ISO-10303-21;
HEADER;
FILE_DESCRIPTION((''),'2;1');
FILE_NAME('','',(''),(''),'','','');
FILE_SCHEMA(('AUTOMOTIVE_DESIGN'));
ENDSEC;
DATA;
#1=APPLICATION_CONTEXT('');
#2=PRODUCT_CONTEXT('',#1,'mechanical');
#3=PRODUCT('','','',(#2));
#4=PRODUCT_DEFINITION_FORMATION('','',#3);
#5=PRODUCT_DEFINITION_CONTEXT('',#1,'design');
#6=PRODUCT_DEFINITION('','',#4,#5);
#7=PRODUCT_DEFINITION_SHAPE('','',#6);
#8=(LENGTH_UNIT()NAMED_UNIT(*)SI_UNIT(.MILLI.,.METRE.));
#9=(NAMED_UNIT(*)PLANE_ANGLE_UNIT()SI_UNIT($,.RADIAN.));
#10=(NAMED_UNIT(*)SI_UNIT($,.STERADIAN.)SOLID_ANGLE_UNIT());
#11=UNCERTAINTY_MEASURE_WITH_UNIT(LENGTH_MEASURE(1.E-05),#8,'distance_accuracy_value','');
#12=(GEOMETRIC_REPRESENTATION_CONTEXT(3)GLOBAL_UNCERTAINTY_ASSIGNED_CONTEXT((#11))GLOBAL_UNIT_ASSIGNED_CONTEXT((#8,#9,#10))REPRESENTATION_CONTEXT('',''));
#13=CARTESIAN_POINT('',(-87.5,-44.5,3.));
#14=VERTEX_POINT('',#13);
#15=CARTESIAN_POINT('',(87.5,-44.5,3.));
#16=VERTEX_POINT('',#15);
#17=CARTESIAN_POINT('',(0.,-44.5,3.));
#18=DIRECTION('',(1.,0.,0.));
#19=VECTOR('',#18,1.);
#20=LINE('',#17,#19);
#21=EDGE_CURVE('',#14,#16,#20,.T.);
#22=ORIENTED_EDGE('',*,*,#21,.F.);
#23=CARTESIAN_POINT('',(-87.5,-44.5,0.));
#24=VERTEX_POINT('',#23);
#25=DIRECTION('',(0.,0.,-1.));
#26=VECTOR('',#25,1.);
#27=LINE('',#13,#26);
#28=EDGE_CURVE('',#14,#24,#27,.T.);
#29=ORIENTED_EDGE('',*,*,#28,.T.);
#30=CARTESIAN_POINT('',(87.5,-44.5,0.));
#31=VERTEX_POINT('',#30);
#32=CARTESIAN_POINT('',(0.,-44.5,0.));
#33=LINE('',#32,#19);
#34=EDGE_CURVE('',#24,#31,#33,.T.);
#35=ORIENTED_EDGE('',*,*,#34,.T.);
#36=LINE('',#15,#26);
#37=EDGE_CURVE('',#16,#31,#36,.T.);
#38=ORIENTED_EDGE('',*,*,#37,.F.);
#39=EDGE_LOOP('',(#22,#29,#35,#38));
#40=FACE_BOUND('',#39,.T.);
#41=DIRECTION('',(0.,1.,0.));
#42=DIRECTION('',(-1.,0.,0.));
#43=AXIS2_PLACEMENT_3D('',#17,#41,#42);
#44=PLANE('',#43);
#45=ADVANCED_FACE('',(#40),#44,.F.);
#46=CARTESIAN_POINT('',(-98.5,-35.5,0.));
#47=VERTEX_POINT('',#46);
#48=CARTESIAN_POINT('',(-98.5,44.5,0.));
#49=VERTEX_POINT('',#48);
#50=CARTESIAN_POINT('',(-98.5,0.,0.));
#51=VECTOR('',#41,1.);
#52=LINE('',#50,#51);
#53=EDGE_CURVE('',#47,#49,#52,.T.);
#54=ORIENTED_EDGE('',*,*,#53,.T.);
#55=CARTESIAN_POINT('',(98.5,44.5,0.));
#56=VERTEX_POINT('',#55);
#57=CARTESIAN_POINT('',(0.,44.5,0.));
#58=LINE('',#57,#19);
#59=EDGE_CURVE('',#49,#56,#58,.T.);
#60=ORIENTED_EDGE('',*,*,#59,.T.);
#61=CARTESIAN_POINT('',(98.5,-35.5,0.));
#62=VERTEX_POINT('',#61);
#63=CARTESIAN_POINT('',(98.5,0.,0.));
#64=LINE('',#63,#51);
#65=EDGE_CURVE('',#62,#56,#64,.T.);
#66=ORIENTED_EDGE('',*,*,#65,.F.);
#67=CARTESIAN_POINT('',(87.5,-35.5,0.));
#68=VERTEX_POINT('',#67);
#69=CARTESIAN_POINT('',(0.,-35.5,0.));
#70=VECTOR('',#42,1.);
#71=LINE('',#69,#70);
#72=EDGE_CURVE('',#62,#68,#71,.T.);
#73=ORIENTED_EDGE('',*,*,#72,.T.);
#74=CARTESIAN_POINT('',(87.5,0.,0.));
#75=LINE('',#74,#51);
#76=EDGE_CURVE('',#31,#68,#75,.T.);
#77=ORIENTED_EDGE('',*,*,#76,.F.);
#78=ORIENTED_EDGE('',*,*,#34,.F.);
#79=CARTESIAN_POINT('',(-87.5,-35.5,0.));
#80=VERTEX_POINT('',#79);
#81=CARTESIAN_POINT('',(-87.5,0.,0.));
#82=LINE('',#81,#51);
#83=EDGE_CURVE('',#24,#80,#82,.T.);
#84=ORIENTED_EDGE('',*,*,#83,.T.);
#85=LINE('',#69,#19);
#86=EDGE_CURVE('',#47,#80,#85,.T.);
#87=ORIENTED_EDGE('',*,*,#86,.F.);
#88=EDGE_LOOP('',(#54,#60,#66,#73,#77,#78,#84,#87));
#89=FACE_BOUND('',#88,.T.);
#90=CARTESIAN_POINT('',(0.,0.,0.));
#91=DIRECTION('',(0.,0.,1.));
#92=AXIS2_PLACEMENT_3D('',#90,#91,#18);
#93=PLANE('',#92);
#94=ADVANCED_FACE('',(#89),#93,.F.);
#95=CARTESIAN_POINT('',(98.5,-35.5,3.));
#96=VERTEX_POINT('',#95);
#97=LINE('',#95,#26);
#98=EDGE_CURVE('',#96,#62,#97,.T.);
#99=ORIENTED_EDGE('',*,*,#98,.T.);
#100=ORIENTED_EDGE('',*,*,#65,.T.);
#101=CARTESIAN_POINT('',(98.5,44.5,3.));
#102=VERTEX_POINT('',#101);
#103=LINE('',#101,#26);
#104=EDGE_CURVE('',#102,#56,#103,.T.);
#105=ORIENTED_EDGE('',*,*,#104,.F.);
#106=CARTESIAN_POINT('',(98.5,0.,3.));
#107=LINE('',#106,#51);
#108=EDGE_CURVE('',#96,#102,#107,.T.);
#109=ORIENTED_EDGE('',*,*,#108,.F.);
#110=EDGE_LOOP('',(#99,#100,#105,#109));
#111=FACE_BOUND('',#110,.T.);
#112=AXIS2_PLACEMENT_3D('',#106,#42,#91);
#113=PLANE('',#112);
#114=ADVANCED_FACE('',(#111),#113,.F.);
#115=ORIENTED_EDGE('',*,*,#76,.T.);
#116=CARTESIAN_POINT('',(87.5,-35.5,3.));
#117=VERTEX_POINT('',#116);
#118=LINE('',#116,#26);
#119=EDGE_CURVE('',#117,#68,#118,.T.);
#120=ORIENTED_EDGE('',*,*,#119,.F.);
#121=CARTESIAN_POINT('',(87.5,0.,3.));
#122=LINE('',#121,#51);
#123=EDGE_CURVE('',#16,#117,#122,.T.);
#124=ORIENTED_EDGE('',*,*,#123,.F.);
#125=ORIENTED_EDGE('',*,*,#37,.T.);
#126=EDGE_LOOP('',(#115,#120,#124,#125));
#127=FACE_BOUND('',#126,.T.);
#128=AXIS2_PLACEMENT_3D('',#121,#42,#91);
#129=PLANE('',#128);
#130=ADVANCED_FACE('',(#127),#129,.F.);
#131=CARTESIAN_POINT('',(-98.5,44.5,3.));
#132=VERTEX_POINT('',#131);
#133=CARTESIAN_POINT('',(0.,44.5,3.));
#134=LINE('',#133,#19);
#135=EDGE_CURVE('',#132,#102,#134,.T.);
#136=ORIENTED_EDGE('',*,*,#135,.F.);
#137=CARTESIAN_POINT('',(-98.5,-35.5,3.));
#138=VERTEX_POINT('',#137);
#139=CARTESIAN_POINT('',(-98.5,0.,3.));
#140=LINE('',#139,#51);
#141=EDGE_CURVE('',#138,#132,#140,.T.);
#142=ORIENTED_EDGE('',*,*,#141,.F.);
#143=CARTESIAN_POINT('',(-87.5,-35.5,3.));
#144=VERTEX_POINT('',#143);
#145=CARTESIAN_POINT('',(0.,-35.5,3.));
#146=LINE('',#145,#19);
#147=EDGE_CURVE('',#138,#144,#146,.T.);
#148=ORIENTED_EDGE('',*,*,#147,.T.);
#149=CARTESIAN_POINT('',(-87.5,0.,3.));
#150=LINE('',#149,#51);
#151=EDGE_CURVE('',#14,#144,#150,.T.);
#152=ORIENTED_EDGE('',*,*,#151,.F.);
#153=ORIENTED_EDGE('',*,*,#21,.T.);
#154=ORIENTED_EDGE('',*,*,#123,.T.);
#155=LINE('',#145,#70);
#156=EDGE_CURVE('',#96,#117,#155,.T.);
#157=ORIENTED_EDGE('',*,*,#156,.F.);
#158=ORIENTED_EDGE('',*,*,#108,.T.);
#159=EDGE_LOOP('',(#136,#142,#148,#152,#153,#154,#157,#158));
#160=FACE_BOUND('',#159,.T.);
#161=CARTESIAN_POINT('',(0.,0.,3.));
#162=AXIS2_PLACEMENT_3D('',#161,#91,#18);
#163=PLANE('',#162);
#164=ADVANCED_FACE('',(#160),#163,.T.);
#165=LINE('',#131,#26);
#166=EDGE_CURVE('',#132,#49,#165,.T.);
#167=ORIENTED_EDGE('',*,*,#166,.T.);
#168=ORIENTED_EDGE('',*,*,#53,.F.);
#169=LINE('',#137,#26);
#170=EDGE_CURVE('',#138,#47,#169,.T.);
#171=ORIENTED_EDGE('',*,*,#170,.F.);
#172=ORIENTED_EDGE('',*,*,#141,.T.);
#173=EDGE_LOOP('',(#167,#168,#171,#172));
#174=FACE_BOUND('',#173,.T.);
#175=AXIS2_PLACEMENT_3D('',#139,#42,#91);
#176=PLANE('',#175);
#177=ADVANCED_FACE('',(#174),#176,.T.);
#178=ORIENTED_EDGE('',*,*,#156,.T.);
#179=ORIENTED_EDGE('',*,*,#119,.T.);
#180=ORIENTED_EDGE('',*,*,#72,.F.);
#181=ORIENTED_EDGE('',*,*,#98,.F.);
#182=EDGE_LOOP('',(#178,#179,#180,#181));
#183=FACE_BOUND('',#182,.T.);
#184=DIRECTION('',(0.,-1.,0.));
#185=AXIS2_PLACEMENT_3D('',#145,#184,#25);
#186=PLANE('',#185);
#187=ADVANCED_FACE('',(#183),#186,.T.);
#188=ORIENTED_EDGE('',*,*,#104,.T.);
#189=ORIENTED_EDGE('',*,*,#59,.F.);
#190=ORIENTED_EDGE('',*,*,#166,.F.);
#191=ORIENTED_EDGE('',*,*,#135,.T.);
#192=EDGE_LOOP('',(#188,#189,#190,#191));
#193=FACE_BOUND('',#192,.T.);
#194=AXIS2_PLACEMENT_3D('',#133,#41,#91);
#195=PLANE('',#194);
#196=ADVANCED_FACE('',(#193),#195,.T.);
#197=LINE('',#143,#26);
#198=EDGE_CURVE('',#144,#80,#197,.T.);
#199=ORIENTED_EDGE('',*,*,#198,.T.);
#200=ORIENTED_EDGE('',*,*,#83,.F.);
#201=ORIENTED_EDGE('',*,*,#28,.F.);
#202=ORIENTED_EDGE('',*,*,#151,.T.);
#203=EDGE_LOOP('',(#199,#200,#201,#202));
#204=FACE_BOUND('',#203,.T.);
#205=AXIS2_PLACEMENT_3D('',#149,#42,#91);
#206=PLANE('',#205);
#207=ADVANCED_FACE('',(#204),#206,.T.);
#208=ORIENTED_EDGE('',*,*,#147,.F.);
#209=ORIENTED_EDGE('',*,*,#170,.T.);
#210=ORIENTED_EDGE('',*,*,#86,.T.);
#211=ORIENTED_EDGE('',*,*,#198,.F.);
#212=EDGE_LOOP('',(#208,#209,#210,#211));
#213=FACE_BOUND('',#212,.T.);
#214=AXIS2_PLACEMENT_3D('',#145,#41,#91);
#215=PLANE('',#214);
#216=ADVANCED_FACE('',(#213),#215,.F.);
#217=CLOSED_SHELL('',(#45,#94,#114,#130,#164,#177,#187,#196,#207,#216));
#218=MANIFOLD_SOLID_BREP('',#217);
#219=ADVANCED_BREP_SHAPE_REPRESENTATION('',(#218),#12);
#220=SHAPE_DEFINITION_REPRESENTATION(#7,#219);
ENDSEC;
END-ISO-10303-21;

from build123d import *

# Parameters (mm, degrees)
AUFSATZ_LINEAR_AUSTRAGEN1_DEPTH = 3


with BuildPart() as part:
    # Skizze1 → Aufsatz-Linear austragen1 (new body)
    with BuildSketch(Plane.XY):
        Polygon((-87.5, -35.5), (-87.5, -44.5), (87.5, -44.5), (87.5, -35.5), (98.5, -35.5), (98.5, 44.5), (-98.5, 44.5), (-98.5, -35.5), align=None)
    extrude(amount=AUFSATZ_LINEAR_AUSTRAGEN1_DEPTH)


solid = part.part
